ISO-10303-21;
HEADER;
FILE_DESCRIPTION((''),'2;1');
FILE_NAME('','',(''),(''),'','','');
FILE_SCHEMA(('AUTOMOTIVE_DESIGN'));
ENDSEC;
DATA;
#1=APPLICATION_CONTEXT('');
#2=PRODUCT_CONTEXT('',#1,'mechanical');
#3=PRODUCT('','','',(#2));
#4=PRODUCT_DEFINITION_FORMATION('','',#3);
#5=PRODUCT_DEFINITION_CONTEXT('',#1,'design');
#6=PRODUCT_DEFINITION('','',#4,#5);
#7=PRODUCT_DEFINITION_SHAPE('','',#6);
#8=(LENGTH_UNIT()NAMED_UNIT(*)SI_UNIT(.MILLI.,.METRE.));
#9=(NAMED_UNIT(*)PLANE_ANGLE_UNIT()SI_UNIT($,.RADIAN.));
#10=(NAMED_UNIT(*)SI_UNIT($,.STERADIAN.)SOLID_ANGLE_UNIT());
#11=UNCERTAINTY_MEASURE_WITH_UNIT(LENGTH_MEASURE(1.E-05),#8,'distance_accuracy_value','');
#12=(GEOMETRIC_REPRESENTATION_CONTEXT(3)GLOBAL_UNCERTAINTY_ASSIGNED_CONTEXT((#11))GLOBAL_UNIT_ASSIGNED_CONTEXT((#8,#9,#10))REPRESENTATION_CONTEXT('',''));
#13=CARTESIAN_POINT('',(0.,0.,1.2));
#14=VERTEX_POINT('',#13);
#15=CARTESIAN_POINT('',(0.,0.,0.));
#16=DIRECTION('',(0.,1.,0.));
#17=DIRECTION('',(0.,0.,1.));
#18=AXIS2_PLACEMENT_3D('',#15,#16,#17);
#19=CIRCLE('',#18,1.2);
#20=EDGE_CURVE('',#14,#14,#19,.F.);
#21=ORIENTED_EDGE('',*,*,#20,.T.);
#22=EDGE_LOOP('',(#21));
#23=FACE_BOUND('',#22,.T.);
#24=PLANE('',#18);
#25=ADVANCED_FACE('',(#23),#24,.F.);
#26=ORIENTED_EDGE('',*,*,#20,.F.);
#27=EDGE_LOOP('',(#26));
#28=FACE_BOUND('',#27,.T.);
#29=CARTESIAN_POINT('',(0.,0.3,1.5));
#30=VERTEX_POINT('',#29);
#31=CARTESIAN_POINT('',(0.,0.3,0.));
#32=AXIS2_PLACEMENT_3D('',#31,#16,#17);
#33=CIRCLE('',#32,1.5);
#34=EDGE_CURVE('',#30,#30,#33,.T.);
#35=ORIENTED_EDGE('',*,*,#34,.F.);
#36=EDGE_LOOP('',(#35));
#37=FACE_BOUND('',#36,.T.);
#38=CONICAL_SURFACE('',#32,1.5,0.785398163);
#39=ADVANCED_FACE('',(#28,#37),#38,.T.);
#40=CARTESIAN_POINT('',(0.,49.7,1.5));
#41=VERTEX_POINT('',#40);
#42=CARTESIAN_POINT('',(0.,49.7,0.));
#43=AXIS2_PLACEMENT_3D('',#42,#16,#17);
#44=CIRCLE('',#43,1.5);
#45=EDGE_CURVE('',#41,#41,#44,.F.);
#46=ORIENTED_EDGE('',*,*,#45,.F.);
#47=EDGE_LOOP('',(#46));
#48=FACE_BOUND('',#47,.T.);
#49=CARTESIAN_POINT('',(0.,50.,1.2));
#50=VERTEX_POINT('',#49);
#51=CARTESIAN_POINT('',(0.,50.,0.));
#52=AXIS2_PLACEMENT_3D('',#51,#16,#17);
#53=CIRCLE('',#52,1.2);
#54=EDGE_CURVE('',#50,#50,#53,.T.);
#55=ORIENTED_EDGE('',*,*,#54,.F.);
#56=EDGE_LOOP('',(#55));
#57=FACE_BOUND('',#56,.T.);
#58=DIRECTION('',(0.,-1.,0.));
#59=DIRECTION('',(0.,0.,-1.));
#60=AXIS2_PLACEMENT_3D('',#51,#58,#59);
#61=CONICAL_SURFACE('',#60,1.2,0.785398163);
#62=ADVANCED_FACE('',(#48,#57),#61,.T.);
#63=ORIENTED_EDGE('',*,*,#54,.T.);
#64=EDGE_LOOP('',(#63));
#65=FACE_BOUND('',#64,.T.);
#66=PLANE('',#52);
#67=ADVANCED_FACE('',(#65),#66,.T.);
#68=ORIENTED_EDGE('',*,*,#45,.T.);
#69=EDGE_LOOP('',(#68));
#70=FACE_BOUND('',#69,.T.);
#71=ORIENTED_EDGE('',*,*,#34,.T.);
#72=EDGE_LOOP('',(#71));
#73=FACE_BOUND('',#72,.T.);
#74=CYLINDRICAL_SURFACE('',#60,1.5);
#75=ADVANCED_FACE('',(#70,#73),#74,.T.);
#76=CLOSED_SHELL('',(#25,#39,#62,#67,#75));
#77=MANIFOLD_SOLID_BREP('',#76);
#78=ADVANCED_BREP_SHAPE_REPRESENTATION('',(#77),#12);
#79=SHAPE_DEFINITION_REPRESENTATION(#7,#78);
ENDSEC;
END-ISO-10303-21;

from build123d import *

# Parameters (mm, degrees)
ESQUISSE1_R        = 1.5
BOSS_EXTRU_1_DEPTH = 50
CHANFREIN1_SIZE    = 0.3


with BuildPart() as part:
    # Esquisse1 → Boss.-Extru.1 (new body)
    with BuildSketch(Plane(origin=(0, 0, 0), x_dir=(1, 0, 0), z_dir=(0, 1, 0))):
        with Locations(Location((0, 0, 0), (0, 0, 270))):
            Circle(ESQUISSE1_R)
    extrude(amount=BOSS_EXTRU_1_DEPTH)

    # Chanfrein1
    chanfrein1_edges = [part.edges().sort_by_distance(p)[0] for p in [
        (0, 0, -1.5),
        (0, 50, -1.5),
    ]]
    chamfer(chanfrein1_edges, length=CHANFREIN1_SIZE)


solid = part.part
